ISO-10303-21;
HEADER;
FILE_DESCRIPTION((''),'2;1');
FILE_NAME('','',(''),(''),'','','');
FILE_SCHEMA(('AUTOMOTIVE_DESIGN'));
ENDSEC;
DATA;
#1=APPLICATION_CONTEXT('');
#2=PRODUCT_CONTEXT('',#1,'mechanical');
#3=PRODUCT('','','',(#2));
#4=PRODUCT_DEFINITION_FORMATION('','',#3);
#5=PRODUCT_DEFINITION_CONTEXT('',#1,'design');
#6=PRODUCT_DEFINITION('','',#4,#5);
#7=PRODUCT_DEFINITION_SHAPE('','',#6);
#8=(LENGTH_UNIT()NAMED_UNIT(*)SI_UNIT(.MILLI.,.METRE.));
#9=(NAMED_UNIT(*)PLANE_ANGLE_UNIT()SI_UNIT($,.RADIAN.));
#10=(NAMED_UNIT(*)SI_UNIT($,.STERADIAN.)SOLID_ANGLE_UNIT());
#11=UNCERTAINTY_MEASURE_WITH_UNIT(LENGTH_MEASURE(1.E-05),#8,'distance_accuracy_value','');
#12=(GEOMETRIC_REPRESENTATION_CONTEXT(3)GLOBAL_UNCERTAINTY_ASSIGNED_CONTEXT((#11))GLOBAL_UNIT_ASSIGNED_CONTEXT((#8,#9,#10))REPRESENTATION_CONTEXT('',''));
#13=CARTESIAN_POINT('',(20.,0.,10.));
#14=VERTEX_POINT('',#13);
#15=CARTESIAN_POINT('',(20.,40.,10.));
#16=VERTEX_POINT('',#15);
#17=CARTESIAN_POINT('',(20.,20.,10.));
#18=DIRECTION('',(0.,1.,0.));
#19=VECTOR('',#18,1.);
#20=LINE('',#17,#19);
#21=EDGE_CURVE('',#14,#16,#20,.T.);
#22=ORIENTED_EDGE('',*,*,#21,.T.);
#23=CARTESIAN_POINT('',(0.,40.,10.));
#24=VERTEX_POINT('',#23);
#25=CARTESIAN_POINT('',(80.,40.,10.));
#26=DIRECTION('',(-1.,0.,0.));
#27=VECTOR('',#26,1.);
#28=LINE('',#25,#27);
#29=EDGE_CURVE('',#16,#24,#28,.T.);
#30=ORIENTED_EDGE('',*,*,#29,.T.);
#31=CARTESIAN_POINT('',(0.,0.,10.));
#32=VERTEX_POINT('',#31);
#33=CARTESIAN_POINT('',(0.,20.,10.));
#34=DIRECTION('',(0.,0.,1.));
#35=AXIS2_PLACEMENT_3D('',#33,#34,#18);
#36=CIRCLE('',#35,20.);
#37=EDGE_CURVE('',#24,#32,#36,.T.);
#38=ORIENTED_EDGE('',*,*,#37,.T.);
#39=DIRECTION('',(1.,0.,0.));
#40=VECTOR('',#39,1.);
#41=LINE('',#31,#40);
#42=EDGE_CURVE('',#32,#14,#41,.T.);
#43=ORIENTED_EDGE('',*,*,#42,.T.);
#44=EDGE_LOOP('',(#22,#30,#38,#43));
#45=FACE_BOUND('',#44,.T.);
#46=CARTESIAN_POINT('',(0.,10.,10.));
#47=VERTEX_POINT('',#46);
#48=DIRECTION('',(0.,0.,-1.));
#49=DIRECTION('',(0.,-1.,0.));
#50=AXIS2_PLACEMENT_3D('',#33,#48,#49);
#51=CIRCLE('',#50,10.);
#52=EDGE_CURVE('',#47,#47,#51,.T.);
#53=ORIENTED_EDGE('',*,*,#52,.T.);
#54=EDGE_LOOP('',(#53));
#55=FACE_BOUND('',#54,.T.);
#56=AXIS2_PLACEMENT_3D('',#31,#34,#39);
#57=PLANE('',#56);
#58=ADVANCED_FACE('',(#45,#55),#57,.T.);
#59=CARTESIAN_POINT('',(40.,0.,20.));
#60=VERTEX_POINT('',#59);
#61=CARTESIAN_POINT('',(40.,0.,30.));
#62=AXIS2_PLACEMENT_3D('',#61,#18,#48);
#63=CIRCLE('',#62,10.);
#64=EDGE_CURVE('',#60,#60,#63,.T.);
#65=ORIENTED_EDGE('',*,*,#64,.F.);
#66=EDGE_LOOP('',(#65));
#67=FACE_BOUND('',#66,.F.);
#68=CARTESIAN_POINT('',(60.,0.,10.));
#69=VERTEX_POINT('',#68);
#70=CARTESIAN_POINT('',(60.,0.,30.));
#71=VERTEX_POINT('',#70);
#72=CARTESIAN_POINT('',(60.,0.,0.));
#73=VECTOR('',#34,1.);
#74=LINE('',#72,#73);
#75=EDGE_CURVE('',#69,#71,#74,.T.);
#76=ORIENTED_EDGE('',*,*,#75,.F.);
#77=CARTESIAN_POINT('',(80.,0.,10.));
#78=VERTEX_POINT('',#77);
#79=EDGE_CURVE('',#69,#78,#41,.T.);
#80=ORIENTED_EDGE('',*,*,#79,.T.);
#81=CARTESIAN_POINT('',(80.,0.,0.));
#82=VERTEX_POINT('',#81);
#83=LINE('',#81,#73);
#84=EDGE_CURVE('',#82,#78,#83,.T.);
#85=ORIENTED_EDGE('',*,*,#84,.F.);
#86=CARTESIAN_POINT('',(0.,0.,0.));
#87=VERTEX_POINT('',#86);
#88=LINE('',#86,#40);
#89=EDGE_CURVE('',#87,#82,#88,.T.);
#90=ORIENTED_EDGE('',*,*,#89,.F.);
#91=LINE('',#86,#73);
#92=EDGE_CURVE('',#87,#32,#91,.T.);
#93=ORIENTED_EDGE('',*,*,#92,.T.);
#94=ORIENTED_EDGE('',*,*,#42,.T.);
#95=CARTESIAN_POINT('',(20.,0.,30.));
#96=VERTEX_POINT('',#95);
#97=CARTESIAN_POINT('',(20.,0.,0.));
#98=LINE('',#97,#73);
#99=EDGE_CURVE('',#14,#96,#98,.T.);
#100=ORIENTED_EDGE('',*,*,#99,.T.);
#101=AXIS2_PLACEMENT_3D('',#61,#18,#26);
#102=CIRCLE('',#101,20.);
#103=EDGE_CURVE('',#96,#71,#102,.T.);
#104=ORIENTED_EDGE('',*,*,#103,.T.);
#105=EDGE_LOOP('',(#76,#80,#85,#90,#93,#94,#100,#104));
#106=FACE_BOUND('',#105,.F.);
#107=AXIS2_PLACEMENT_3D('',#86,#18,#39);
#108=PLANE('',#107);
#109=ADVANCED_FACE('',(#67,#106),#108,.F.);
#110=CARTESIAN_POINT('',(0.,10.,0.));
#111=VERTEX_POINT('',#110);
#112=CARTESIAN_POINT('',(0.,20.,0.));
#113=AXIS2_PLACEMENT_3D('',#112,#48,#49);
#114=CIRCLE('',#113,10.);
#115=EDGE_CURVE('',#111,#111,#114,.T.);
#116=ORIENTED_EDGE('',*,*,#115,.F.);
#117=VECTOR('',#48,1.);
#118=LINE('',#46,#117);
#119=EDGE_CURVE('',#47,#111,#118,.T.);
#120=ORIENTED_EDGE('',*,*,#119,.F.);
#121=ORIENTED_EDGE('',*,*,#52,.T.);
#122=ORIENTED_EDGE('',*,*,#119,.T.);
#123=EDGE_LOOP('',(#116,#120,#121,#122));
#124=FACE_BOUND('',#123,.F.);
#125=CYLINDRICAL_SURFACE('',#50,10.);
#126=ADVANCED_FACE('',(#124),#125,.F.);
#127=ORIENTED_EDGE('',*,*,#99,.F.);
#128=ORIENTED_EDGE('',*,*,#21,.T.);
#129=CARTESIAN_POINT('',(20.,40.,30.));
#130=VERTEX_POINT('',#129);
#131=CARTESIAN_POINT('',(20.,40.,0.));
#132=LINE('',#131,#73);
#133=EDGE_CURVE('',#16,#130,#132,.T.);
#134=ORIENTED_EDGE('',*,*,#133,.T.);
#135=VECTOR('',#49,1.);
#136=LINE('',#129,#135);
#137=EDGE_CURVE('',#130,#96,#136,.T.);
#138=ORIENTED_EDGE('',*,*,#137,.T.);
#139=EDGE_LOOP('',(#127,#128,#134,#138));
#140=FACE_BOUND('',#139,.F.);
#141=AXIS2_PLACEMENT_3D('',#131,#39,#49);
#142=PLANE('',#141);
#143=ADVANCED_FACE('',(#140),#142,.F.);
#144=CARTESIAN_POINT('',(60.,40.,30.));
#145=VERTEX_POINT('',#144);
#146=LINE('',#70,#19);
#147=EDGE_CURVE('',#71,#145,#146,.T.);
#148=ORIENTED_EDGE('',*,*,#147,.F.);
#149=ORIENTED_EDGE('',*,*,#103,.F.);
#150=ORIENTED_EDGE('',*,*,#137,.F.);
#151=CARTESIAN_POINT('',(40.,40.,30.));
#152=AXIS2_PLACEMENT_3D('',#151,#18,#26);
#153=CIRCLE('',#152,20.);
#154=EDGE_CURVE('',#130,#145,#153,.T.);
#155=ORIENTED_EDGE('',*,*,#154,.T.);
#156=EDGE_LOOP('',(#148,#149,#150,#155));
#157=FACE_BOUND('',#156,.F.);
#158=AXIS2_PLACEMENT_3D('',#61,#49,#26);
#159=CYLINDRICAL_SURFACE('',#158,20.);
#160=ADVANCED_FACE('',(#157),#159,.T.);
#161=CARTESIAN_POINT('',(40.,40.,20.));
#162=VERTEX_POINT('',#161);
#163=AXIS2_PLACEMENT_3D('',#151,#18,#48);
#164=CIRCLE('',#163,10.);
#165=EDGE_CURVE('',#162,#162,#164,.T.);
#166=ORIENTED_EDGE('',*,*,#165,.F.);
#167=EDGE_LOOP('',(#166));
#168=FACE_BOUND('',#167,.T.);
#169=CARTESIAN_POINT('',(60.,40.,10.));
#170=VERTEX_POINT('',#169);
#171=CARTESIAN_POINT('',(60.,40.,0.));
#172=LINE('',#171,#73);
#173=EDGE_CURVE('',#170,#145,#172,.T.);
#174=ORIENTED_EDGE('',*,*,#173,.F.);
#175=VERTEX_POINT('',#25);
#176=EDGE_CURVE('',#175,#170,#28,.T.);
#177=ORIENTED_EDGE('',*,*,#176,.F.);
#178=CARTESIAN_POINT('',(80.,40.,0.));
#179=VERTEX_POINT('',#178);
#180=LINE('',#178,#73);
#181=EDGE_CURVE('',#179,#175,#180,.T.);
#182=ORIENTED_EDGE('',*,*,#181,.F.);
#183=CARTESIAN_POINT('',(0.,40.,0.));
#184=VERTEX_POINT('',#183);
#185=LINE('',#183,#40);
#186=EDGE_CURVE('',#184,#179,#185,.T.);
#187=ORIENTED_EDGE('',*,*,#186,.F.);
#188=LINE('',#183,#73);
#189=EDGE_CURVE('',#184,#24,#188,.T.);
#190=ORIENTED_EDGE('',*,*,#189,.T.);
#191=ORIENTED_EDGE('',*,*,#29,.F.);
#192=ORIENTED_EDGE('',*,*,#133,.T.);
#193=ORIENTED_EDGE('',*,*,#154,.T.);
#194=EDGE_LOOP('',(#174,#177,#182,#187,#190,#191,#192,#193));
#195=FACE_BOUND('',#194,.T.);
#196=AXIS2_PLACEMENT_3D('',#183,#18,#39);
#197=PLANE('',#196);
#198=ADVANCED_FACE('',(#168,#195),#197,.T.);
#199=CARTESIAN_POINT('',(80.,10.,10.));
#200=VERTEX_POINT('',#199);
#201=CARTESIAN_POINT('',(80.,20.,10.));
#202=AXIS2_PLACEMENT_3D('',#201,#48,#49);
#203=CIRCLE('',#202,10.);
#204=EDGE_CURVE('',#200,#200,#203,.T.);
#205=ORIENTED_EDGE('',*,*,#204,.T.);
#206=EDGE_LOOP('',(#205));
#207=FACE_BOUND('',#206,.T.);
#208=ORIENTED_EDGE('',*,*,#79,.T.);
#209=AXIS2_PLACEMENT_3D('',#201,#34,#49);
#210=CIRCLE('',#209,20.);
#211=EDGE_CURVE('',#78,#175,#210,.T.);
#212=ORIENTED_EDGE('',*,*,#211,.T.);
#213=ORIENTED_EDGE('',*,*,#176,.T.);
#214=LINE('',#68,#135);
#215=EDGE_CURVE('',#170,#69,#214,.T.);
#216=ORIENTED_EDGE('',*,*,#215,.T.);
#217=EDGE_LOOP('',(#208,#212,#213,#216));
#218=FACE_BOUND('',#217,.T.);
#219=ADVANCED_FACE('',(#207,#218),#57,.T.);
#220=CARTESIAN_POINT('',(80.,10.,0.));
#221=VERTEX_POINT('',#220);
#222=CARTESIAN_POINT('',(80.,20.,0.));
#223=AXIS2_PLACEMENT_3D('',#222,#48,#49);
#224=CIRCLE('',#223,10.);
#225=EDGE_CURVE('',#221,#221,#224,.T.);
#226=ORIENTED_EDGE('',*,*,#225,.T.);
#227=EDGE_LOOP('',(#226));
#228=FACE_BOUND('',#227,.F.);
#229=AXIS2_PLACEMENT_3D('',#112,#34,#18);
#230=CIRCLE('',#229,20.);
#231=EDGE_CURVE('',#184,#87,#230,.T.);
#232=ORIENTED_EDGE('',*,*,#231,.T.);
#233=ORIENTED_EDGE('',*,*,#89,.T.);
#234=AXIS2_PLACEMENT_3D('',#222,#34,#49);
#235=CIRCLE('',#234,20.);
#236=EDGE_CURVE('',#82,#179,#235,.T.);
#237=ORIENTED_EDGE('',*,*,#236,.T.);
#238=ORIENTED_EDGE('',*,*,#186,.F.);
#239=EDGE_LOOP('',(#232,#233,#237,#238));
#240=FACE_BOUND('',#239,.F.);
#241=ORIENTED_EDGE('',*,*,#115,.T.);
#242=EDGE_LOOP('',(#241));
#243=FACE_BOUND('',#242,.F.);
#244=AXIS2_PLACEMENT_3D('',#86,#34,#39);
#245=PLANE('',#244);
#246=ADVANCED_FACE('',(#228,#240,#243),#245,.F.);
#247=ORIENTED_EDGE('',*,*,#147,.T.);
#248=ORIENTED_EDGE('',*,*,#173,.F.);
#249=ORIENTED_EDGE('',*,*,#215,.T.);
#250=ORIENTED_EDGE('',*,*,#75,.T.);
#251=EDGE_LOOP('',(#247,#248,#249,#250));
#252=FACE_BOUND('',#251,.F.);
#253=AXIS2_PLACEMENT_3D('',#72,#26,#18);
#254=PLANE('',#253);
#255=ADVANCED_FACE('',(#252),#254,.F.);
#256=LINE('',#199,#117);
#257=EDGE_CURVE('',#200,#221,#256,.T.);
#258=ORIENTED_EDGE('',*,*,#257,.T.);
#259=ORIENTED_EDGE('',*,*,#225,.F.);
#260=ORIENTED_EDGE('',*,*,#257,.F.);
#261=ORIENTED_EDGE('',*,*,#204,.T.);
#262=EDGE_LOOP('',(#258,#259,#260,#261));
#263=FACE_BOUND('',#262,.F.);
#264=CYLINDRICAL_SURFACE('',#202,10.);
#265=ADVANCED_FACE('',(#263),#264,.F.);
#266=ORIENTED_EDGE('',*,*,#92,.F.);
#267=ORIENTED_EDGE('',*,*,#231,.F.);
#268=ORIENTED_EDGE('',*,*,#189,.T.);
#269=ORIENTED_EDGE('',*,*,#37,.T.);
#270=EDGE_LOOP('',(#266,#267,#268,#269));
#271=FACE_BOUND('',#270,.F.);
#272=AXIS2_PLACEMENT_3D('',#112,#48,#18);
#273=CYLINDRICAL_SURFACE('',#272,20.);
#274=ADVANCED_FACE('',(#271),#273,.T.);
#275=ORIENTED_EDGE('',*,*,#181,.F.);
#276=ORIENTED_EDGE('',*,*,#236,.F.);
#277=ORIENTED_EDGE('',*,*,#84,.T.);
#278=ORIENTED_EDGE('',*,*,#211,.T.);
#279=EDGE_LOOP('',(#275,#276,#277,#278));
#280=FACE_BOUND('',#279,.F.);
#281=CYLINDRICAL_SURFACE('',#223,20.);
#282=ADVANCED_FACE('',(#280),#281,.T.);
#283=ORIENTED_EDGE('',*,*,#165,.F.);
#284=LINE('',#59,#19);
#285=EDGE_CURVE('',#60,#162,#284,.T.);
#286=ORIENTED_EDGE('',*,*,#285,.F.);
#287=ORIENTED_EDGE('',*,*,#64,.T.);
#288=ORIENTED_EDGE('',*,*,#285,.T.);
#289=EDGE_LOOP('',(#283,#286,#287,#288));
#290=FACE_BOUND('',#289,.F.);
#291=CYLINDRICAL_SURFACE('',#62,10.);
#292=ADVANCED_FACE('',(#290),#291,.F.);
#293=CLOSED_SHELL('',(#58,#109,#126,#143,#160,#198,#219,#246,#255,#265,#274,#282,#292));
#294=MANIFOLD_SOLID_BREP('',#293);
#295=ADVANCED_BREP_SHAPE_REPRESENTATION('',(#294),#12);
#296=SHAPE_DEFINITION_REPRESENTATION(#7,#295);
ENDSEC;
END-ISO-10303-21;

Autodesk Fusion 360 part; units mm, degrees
sketch "Sketch1" plane through (0, 0, 0) normal (0, 0, 1) x (1, 0, 0)
  line L0 (80, 40) -> (0, 40)
  arc A0 (0, 40) -> (0, 0) centre (0, 20) ccw
  arc A1 (80, 0) -> (80, 40) centre (80, 20) ccw
  line L1 (0, 0) -> (80, 0)
extrude "Extrude1" add sketch "Sketch1" along normal blind 10
hole "Hole1" at (0, 20, 10) direction (0, 0, -1) diameter 20 depth 20 tip angle 118
hole "Hole2" at (80, 20, 10) direction (0, 0, -1) diameter 20 depth 20 tip angle 118
sketch "Sketch2" plane through (0, 0, 0) normal (0, 0, 1) x (1, 0, 0)
  line L0 (20, 0) -> (60, 0)
  line L1 (60, 0) -> (60, 40)
  line L2 (60, 40) -> (20, 40)
  line L3 (20, 40) -> (20, 0)
extrude "Extrude2" add sketch "Sketch2" along normal blind 30
sketch "Sketch3" plane through (0, 0, 0) normal (0, 1, 0) x (1, 0, 0)
  line L0 (60, -30) -> (20, -30)
  arc A0 (20, -30) -> (60, -30) centre (40, -30) ccw
extrude "Extrude3" add sketch "Sketch3" along normal blind 40
hole "Hole3" at (40, 0, 30) direction (0, 1, 0) diameter 20 depth 40 tip angle 118
